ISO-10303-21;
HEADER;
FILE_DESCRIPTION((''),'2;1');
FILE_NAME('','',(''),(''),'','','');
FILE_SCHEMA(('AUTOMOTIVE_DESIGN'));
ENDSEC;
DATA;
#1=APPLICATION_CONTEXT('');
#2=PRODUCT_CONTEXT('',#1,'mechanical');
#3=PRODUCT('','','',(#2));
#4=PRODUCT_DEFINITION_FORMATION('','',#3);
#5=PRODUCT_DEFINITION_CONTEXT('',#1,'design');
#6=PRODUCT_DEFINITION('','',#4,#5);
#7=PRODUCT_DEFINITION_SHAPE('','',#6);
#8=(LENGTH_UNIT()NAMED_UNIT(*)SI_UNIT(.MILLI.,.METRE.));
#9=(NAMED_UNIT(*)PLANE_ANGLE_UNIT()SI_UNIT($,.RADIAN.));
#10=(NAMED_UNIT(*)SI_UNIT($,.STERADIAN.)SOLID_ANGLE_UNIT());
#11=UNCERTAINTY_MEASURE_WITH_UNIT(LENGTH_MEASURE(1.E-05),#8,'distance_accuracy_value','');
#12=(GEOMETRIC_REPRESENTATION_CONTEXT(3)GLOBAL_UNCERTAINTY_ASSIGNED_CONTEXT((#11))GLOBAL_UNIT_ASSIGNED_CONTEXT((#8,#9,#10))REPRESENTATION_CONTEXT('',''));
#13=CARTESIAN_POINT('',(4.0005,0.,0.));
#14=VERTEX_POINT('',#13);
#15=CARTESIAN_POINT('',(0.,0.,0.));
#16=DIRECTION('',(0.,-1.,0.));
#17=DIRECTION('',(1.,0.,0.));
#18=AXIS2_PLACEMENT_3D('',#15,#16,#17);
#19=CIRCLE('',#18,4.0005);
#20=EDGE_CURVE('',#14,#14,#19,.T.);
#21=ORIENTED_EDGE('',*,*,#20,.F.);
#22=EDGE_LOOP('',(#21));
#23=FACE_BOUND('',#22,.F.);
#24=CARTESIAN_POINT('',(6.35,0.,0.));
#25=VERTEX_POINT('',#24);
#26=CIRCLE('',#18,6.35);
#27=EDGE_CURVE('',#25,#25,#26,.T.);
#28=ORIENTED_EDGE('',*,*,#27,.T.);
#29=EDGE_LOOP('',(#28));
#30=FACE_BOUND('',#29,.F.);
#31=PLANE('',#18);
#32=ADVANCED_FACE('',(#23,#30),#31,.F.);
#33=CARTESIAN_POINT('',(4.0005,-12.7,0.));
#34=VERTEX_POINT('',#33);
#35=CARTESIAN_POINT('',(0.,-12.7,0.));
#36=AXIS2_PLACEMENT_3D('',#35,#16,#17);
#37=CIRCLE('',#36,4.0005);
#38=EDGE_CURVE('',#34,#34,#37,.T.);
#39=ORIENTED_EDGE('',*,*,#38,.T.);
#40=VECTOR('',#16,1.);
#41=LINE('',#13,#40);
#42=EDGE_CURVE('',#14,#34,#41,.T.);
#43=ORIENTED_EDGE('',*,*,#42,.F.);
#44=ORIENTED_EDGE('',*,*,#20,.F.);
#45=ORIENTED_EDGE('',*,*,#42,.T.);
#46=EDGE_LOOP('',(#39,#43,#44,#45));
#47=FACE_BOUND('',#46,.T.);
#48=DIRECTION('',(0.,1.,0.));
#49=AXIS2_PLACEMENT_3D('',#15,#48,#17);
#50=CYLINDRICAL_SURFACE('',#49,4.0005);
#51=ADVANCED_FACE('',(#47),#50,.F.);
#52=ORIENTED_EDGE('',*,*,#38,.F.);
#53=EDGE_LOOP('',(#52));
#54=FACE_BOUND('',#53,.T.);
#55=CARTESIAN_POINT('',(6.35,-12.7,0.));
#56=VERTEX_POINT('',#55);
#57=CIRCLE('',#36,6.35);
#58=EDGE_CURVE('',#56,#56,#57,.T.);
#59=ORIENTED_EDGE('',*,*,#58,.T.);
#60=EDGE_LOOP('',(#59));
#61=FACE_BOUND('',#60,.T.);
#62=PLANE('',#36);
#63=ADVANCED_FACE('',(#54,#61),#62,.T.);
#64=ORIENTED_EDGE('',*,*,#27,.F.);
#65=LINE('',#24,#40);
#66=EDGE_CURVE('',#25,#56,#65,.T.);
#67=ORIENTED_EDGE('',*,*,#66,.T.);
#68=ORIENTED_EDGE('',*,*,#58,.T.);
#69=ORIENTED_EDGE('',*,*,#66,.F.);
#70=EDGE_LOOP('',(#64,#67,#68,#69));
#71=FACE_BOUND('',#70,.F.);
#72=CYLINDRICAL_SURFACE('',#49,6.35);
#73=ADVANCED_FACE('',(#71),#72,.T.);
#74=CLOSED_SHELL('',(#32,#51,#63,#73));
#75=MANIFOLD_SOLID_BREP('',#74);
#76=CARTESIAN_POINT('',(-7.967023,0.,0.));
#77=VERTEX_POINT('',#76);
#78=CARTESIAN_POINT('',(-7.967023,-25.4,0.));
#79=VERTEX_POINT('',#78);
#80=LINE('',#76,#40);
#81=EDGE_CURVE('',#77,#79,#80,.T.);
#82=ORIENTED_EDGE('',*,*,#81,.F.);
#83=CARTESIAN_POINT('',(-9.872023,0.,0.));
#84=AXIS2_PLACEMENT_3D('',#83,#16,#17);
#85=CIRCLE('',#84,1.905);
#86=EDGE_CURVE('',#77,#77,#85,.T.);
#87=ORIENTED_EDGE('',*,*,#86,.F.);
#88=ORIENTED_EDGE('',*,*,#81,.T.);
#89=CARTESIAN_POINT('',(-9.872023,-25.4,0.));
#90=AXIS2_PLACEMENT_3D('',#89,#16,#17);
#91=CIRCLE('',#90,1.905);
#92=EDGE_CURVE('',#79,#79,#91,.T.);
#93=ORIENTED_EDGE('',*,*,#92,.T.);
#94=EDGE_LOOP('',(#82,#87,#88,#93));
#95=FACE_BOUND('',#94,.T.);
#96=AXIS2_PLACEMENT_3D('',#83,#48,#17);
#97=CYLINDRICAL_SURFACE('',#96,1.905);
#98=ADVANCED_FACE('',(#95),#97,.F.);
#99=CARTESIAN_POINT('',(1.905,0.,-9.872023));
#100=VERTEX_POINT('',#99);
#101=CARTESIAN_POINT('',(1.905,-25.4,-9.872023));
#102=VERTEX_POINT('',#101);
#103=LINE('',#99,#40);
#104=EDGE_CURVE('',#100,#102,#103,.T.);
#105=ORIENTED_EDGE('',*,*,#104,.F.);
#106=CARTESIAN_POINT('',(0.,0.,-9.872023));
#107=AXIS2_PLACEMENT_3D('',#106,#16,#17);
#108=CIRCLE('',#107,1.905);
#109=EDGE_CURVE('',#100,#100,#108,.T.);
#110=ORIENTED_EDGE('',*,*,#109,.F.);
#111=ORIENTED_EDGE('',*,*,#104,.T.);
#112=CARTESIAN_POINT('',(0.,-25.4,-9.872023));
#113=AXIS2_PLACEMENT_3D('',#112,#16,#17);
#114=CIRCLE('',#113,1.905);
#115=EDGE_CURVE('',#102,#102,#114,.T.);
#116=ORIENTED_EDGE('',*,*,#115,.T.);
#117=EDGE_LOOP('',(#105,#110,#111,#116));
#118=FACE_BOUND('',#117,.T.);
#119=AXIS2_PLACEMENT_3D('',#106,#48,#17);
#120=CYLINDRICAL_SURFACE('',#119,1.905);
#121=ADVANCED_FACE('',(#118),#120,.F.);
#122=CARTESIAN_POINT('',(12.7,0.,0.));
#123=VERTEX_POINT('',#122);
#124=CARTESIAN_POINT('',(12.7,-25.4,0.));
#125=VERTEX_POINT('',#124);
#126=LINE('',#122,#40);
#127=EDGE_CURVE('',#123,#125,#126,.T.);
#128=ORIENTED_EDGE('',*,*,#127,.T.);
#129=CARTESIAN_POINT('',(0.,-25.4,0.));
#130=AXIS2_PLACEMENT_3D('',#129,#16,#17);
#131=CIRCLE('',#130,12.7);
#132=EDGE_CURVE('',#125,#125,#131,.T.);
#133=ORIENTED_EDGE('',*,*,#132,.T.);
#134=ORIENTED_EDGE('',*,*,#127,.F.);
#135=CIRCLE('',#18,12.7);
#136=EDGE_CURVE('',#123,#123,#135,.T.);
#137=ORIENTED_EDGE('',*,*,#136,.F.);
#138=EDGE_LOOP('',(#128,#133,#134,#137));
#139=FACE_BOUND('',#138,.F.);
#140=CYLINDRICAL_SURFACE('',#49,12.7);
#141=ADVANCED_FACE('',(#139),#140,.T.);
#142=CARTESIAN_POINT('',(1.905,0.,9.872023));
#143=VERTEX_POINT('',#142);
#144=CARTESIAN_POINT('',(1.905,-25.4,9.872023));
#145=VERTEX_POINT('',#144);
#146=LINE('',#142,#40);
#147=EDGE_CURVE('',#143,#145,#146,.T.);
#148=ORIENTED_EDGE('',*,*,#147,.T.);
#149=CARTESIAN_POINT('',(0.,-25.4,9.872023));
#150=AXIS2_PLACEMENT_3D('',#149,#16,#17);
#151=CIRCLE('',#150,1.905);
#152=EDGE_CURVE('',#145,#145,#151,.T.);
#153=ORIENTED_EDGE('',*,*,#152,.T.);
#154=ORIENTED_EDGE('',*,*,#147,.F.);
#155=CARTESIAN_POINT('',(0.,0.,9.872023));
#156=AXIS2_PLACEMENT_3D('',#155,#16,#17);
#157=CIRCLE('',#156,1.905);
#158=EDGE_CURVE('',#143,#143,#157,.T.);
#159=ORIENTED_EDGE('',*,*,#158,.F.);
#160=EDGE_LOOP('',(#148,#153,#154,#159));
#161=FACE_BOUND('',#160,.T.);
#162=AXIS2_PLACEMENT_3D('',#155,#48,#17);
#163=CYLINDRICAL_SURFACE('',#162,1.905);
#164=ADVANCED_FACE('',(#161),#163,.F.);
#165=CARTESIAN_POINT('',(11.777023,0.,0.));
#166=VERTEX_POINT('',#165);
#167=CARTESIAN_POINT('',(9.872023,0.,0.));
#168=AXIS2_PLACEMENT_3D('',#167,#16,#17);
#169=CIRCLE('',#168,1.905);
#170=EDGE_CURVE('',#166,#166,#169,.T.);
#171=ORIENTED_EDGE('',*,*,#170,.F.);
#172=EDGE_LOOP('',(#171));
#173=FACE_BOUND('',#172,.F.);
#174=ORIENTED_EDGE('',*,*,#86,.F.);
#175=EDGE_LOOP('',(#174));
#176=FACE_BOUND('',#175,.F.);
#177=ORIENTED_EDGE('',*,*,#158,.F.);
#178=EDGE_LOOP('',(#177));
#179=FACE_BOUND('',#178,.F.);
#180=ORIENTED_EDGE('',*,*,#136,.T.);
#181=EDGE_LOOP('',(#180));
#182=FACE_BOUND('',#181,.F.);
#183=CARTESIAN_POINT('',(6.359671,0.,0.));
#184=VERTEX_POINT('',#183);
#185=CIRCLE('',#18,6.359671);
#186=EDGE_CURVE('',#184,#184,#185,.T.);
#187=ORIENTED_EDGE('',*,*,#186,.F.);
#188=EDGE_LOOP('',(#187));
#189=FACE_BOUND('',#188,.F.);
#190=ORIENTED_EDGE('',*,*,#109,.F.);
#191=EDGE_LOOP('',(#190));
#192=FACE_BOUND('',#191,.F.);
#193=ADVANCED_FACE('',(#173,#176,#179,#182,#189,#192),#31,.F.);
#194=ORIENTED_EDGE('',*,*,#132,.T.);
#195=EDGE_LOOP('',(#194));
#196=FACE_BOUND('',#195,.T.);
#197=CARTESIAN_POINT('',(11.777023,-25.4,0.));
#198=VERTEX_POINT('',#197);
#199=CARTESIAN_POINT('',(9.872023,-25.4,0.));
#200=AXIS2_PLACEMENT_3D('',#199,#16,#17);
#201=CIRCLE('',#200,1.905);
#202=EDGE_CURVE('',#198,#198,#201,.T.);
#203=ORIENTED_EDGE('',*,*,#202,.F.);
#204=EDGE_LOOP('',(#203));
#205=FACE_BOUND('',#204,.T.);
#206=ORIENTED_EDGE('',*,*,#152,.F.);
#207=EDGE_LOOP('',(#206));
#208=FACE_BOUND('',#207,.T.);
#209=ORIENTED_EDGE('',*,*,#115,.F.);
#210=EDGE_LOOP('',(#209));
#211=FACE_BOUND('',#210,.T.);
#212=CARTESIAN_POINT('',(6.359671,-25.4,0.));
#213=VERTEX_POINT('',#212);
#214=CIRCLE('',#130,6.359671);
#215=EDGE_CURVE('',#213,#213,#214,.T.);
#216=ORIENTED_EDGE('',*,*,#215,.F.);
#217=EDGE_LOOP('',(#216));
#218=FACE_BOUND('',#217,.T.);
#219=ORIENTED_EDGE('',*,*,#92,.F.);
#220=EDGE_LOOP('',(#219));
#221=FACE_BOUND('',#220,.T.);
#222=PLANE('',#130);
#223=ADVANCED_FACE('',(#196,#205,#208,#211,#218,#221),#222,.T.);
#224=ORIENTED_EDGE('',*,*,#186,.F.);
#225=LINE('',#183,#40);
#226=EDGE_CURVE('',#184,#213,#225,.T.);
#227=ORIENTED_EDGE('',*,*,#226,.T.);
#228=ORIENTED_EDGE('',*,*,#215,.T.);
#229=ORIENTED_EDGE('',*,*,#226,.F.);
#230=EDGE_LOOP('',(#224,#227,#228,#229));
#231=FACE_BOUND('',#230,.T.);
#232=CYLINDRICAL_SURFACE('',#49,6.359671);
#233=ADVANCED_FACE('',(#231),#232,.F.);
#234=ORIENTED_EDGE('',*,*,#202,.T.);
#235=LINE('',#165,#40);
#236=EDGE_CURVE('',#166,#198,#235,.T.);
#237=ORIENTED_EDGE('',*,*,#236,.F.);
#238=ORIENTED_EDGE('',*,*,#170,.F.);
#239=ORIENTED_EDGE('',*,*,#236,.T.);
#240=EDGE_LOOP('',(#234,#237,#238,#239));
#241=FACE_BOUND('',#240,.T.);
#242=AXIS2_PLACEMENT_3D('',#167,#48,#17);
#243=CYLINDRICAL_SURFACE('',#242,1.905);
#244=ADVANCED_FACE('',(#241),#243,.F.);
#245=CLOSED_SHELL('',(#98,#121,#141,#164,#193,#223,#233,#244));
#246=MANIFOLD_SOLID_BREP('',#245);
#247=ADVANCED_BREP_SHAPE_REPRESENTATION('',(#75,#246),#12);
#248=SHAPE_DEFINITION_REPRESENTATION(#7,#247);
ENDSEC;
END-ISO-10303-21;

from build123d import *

# Parameters (mm, degrees)
F0_R     = 12.7
F0_R_2   = 1.905
F0_R_3   = 6.359671
F1_DEPTH = 25.4
F0_R_4   = 6.35
F0_R_5   = 4.0005
F2_DEPTH = 12.7


with BuildPart() as f1:
    # F0 (on Front) → F1 (new body)
    with BuildSketch(Plane.XZ):
        Circle(F0_R)
        with Locations((0, -9.872023)):
            Circle(F0_R_2, mode=Mode.SUBTRACT)
        with Locations((-9.872023, 0)):
            Circle(F0_R_2, mode=Mode.SUBTRACT)
        Circle(F0_R_3, mode=Mode.SUBTRACT)
        with Locations((9.872023, 0)):
            Circle(F0_R_2, mode=Mode.SUBTRACT)
        with Locations((0, 9.872023)):
            Circle(F0_R_2, mode=Mode.SUBTRACT)
    extrude(amount=F1_DEPTH)


with BuildPart() as f2:
    # F0 (on Front) → F2 (new body)
    with BuildSketch(Plane.XZ):
        Circle(F0_R_4)
        Circle(F0_R_5, mode=Mode.SUBTRACT)
    extrude(amount=F2_DEPTH)


solid = Compound([f1.part, f2.part])
